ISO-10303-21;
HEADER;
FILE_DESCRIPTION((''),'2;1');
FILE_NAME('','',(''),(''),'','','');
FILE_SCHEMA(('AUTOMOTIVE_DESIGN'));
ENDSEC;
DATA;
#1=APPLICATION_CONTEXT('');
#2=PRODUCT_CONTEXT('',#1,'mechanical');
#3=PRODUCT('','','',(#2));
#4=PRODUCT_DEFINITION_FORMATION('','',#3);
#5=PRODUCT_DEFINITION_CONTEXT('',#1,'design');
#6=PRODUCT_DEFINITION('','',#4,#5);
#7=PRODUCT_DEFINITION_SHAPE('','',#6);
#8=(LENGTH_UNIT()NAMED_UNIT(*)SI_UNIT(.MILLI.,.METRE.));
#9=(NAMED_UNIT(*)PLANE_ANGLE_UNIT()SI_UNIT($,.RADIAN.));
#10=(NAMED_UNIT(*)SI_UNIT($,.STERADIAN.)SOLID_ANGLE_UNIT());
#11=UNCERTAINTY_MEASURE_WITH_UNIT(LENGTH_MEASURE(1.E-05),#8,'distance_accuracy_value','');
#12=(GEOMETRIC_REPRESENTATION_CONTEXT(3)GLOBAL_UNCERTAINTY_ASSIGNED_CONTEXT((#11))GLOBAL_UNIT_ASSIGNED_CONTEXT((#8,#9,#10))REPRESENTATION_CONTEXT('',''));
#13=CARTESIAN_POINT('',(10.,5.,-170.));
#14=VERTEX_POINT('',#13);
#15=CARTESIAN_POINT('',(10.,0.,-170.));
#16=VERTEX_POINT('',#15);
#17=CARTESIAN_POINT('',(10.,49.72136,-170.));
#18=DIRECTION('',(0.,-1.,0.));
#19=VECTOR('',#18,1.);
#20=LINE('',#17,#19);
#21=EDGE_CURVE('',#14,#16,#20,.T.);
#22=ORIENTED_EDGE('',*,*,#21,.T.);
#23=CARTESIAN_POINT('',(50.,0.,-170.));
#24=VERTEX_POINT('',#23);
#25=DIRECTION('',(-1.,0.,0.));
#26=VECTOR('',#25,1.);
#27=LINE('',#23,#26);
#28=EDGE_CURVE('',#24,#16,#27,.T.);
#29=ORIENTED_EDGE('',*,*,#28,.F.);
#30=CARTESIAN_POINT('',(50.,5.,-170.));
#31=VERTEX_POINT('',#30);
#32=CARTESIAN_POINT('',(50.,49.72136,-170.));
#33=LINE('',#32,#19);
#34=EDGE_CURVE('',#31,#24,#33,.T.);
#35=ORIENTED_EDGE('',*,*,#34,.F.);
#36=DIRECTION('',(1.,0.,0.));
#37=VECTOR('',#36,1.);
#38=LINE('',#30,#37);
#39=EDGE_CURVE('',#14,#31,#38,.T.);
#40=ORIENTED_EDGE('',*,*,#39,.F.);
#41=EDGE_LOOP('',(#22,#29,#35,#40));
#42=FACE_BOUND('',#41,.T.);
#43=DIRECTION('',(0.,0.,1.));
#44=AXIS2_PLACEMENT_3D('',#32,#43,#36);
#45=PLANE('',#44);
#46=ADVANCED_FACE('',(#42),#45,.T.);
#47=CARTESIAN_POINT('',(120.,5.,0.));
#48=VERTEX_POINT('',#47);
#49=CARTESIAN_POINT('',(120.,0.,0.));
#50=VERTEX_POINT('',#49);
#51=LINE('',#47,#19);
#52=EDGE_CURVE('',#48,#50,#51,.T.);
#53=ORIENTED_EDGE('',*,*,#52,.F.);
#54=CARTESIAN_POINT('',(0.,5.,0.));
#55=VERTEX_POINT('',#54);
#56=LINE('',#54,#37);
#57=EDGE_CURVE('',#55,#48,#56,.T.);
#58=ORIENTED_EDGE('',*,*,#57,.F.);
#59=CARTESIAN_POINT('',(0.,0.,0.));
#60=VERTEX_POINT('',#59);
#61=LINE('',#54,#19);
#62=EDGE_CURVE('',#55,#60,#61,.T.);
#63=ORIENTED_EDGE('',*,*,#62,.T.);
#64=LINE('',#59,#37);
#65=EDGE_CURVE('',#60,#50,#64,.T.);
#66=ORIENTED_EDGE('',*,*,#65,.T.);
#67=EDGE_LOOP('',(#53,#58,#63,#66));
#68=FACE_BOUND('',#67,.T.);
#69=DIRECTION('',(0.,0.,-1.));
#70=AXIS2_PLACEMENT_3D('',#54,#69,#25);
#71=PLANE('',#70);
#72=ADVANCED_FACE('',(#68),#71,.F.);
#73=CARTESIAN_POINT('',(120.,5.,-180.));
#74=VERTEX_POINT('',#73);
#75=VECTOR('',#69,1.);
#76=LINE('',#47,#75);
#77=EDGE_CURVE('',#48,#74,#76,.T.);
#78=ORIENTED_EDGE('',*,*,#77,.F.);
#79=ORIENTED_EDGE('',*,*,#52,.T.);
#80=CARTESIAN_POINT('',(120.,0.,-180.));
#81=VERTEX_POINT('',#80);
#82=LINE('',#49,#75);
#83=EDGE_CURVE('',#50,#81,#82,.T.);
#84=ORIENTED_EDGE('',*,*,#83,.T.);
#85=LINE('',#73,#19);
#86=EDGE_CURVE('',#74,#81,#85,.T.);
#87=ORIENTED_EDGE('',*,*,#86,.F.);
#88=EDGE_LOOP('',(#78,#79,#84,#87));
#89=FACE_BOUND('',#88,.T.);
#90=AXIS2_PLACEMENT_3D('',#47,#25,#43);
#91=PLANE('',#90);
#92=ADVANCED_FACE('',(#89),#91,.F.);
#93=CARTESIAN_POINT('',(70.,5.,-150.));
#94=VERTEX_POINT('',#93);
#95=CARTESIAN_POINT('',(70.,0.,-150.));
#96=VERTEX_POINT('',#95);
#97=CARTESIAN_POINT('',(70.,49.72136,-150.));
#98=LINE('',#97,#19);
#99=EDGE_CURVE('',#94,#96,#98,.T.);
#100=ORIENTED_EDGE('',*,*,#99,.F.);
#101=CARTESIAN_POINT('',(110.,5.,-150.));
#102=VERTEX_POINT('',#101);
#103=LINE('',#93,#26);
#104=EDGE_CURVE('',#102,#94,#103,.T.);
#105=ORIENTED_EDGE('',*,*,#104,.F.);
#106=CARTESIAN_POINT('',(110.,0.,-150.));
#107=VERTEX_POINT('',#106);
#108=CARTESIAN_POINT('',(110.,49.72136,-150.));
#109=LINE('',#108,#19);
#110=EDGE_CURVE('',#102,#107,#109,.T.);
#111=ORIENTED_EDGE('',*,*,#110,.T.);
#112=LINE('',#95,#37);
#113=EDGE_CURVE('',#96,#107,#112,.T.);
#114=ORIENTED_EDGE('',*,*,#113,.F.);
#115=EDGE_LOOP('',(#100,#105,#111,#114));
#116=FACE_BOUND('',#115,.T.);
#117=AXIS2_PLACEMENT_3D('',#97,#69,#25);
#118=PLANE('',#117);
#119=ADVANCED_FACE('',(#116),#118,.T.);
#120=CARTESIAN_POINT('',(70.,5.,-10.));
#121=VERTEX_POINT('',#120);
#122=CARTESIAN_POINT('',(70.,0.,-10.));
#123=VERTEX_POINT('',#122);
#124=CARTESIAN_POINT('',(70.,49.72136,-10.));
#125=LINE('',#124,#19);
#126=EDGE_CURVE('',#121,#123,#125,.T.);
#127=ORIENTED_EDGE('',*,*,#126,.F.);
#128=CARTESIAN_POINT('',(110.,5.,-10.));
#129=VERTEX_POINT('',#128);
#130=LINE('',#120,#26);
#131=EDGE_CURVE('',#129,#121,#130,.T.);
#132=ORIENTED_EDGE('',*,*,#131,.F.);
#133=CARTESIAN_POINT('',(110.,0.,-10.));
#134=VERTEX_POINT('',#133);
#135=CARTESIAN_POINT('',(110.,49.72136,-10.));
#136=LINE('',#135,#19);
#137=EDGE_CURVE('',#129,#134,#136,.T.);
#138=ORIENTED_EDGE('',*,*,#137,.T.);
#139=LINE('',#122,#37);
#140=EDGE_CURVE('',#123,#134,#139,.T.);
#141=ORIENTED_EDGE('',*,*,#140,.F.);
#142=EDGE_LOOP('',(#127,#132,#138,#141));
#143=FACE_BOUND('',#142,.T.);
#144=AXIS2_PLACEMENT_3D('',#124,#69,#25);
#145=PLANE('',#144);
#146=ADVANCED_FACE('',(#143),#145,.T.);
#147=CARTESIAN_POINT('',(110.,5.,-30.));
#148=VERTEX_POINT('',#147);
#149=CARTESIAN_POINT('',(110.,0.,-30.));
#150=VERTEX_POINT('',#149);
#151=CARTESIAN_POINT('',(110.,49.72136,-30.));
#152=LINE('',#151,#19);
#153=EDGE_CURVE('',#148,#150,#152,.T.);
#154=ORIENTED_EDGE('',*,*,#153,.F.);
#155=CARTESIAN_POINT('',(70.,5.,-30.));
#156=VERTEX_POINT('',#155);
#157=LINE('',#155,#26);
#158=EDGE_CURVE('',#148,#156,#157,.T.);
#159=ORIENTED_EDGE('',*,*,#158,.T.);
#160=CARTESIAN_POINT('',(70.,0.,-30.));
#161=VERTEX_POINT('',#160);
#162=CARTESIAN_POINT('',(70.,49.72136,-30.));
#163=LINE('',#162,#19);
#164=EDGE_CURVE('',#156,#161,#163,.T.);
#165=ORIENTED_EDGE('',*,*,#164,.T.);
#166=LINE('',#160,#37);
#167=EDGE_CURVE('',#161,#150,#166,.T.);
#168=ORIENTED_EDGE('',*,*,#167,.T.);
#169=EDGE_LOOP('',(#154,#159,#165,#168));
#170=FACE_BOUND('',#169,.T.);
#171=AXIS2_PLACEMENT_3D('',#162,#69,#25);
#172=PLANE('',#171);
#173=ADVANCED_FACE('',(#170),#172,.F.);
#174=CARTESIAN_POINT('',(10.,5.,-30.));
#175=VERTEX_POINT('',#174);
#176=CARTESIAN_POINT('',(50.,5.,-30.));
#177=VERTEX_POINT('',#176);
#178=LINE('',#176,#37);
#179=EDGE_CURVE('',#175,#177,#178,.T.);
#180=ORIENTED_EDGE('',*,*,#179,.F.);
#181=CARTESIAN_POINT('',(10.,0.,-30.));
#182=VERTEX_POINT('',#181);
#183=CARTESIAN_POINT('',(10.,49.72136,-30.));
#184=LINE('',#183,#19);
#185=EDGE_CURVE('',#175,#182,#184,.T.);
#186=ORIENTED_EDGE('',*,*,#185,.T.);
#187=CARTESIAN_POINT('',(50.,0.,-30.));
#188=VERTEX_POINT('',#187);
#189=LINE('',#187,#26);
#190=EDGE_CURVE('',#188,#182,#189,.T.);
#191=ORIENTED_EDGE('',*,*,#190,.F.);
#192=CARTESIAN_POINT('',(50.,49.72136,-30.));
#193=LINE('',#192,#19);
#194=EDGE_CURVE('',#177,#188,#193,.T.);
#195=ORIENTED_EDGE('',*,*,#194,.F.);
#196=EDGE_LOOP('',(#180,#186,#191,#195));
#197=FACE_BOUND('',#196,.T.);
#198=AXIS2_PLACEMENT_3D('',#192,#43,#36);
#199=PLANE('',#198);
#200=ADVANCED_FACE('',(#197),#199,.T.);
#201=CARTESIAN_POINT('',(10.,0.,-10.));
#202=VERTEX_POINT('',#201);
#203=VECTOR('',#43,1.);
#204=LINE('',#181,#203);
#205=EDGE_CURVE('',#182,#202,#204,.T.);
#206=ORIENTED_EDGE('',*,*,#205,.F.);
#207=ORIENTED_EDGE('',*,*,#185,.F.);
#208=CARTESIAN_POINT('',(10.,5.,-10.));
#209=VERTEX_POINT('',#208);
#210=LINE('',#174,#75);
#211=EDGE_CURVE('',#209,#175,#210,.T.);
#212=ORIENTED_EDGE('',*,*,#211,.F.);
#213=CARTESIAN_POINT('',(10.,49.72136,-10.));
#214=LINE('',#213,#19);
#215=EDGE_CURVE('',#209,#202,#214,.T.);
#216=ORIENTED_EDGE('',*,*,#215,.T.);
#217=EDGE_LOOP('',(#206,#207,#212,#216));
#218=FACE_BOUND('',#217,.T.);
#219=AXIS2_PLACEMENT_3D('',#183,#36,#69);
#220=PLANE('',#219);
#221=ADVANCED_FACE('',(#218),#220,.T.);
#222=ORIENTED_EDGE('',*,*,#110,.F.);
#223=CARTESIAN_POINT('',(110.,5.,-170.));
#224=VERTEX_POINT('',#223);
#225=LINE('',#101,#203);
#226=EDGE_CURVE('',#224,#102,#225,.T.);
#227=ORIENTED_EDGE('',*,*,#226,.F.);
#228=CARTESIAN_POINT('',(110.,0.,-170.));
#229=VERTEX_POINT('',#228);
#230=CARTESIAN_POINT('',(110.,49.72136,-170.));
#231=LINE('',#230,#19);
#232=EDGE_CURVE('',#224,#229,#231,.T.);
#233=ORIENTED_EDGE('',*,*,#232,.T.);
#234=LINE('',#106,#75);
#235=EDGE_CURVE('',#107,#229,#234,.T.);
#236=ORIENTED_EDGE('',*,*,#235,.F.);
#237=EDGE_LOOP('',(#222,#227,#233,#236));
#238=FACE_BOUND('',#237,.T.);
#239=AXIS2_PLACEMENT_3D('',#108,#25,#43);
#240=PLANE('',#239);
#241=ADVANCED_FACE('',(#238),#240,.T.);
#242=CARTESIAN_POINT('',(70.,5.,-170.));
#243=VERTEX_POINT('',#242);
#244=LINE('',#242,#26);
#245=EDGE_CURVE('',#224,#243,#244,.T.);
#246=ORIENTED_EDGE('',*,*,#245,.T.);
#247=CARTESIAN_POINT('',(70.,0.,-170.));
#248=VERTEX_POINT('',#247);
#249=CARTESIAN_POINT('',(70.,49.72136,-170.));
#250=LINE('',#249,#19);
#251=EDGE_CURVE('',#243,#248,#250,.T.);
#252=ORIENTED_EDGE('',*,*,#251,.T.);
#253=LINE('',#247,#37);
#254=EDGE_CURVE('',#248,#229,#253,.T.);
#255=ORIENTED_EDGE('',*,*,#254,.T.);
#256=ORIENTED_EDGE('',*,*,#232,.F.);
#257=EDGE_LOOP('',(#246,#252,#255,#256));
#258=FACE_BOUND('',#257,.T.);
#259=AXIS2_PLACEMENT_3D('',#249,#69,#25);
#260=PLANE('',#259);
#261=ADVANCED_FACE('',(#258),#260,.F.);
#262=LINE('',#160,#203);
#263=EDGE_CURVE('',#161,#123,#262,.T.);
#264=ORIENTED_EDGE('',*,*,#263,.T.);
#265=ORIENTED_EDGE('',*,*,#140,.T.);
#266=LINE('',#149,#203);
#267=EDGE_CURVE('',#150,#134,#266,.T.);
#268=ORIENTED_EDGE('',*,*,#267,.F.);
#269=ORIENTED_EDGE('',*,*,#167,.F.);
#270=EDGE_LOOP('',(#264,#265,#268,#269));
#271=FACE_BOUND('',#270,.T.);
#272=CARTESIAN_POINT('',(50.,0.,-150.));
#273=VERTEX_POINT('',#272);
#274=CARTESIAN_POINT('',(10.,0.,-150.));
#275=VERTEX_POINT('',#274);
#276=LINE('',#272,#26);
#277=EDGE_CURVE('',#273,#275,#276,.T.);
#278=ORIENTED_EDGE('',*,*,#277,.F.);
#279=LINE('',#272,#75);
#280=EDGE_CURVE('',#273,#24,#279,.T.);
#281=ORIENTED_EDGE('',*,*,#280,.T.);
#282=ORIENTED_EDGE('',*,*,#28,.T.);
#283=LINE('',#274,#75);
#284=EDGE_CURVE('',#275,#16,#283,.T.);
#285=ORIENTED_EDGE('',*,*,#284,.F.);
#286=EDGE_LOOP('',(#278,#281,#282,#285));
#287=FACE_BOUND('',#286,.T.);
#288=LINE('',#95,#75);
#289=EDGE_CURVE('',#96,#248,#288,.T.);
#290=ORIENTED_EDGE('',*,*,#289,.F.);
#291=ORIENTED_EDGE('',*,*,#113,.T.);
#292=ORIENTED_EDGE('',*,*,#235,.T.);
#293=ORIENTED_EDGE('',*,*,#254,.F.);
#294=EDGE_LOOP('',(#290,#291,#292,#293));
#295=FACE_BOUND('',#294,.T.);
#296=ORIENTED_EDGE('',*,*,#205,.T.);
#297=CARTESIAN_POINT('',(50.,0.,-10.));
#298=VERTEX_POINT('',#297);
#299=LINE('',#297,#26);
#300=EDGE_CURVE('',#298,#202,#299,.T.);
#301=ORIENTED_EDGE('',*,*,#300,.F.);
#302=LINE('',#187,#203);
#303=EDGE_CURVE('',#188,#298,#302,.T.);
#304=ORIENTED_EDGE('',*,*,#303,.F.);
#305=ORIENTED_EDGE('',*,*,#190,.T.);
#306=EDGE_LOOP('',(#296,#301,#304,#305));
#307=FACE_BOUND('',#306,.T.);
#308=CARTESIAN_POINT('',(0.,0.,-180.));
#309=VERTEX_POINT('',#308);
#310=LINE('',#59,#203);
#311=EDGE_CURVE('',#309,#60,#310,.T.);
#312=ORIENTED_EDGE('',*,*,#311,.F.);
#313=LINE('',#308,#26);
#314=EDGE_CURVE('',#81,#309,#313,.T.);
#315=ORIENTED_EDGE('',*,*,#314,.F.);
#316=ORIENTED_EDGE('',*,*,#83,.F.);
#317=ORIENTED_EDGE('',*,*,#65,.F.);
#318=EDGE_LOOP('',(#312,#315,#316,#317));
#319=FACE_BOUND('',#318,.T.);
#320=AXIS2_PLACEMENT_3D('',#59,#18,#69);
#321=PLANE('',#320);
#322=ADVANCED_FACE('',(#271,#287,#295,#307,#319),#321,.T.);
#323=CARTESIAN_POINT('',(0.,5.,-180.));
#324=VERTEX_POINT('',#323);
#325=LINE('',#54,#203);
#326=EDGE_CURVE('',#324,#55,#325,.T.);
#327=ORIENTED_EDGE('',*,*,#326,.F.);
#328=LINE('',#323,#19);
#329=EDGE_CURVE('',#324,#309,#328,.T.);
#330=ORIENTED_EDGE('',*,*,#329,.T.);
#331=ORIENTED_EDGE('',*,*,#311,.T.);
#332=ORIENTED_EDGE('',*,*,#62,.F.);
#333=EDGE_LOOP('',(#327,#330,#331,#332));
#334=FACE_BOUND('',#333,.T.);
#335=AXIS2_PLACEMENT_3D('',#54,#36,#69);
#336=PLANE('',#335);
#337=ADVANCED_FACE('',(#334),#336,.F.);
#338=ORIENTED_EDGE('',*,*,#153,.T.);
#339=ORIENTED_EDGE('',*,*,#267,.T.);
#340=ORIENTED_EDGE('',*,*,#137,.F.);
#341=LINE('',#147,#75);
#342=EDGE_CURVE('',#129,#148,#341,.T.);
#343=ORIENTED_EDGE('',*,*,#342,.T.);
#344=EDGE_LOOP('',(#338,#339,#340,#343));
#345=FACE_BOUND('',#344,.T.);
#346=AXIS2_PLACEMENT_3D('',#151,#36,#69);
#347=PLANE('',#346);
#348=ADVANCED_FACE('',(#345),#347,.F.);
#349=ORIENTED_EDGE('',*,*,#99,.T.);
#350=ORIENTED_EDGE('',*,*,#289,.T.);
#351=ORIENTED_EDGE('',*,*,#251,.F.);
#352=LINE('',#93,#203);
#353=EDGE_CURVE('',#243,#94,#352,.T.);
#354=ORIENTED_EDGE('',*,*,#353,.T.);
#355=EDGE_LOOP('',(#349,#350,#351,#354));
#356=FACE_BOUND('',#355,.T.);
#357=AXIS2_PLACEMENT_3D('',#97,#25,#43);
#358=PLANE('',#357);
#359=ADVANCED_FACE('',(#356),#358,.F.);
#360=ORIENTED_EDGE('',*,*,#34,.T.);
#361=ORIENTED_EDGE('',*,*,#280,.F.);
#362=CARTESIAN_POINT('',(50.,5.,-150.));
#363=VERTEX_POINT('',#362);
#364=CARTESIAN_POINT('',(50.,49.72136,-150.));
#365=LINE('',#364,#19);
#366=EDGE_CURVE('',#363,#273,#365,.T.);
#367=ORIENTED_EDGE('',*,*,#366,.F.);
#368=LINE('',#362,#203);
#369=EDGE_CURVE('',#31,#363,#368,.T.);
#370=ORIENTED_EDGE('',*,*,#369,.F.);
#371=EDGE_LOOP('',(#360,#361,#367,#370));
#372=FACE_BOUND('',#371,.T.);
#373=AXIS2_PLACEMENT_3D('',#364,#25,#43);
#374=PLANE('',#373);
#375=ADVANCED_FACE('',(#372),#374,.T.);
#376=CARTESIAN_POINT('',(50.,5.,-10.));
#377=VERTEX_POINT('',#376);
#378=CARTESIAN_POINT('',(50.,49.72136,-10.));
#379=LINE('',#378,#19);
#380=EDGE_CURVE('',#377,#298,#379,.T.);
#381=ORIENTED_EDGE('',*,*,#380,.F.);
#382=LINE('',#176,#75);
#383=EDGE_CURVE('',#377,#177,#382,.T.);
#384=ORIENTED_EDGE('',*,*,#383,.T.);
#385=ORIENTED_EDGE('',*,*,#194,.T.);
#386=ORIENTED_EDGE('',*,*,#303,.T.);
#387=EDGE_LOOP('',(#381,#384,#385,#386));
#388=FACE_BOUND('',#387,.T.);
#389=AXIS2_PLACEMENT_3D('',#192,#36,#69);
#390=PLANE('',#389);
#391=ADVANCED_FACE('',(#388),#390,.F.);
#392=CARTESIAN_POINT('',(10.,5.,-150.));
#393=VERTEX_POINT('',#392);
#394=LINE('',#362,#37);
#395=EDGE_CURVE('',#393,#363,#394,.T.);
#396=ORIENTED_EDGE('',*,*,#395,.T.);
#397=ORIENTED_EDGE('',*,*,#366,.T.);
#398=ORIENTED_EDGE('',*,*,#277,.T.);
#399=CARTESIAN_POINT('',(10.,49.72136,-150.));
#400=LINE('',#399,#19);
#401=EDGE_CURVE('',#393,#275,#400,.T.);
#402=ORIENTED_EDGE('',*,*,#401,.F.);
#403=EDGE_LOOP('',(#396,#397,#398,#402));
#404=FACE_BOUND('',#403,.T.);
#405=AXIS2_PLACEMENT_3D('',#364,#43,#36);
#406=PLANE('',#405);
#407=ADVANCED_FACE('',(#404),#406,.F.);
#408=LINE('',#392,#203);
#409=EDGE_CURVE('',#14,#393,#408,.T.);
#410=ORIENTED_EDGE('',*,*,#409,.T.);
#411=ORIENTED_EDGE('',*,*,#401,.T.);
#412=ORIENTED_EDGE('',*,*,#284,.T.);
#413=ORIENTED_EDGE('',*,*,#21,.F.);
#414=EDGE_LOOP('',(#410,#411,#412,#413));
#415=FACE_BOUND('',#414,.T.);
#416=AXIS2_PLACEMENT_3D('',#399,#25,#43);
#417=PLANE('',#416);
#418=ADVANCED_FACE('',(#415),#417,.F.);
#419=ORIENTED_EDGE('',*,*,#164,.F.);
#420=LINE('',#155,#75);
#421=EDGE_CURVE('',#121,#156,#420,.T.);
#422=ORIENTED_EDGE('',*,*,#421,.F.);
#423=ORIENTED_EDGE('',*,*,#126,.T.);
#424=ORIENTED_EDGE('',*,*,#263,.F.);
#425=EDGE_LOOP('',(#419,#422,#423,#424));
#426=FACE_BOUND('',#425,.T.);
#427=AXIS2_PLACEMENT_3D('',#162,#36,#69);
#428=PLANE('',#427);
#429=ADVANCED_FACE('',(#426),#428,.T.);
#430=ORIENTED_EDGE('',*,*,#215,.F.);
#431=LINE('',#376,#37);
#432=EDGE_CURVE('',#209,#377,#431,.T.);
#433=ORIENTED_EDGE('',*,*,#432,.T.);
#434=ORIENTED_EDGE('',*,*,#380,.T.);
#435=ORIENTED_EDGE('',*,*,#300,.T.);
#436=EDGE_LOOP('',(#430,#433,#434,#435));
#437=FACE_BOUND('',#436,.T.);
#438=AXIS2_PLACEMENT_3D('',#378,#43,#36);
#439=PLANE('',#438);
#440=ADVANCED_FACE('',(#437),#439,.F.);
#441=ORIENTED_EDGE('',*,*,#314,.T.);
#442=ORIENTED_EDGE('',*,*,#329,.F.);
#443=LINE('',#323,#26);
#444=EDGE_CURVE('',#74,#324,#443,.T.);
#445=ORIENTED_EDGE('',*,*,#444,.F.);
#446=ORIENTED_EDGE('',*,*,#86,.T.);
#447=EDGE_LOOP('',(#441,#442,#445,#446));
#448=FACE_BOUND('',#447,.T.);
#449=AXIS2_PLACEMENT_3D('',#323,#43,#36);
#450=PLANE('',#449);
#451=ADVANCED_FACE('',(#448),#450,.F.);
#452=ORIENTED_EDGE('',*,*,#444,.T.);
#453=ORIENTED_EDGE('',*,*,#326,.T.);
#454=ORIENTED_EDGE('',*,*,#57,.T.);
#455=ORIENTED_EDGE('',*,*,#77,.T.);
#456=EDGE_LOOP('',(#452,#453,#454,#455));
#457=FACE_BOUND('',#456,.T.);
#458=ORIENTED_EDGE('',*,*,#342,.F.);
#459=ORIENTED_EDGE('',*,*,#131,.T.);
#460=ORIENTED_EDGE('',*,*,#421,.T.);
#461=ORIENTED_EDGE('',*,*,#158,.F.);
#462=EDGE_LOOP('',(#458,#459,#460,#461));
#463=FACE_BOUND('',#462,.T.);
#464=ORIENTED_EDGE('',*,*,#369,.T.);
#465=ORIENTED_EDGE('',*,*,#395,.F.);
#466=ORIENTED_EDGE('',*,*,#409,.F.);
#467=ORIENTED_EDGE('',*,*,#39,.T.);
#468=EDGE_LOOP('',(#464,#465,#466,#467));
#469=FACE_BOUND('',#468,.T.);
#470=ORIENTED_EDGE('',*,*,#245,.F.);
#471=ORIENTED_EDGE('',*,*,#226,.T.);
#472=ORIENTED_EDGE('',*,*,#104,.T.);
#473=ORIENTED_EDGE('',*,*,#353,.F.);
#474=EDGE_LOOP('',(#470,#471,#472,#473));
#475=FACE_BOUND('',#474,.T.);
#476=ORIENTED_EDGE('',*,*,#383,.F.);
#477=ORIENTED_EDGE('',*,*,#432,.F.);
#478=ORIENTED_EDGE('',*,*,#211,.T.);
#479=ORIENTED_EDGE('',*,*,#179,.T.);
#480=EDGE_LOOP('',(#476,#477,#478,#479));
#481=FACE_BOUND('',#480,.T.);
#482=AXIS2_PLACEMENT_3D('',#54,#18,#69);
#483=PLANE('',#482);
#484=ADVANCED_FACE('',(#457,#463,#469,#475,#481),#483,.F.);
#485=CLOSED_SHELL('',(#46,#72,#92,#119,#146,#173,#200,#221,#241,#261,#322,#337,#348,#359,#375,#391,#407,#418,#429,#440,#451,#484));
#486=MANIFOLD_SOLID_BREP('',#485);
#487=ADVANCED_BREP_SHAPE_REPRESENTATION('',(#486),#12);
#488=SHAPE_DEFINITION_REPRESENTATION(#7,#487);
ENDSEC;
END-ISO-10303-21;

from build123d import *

# Parameters (mm, degrees)
SKETCH1_W               = 120
SKETCH1_H               = 180
BOSS_EXTRUDE1_DEPTH     = 5
SKETCH3_W               = 40
SKETCH3_H               = 20
CUT_EXTRUDE2_DEPTH      = 5
MIRROR2_COPY_1_SKETCH_W = 40
MIRROR2_COPY_1_SKETCH_H = 20
MIRROR2_COPY_1_DEPTH    = 5


with BuildPart() as part:
    # Sketch1 → Boss-Extrude1 (new body)
    with BuildSketch(Plane(origin=(0, 0, 0), x_dir=(1, 0, 0), z_dir=(0, 1, 0))):
        with Locations((60, 90)):
            Rectangle(SKETCH1_W, SKETCH1_H)
    extrude(amount=BOSS_EXTRUDE1_DEPTH)

    # Sketch3 → Cut-Extrude2 (cut)
    with BuildSketch(Plane.XZ):
        with Locations((30, -160)):
            Rectangle(SKETCH3_W, SKETCH3_H)
    cut_extrude2 = extrude(amount=-CUT_EXTRUDE2_DEPTH, mode=Mode.SUBTRACT)

    # Mirror1: Cut-Extrude2 across plane
    add(cut_extrude2.mirror(Plane.ZY.offset(-60)), mode=Mode.SUBTRACT)

    # Mirror2: Cut-Extrude2 across plane
    add(cut_extrude2.mirror(Plane(origin=(0, 0, -90), x_dir=(1, 0, 0), z_dir=(0, 0, -1))), mode=Mode.SUBTRACT)

    # Mirror2 copy 1 sketch → Mirror2 copy 1 (cut)
    with BuildSketch(Plane(origin=(120, 0, -180), x_dir=(-1, 0, 0), z_dir=(0, -1, 0))):
        with Locations((30, -160)):
            Rectangle(MIRROR2_COPY_1_SKETCH_W, MIRROR2_COPY_1_SKETCH_H)
    extrude(amount=-MIRROR2_COPY_1_DEPTH, mode=Mode.SUBTRACT)


solid = part.part
